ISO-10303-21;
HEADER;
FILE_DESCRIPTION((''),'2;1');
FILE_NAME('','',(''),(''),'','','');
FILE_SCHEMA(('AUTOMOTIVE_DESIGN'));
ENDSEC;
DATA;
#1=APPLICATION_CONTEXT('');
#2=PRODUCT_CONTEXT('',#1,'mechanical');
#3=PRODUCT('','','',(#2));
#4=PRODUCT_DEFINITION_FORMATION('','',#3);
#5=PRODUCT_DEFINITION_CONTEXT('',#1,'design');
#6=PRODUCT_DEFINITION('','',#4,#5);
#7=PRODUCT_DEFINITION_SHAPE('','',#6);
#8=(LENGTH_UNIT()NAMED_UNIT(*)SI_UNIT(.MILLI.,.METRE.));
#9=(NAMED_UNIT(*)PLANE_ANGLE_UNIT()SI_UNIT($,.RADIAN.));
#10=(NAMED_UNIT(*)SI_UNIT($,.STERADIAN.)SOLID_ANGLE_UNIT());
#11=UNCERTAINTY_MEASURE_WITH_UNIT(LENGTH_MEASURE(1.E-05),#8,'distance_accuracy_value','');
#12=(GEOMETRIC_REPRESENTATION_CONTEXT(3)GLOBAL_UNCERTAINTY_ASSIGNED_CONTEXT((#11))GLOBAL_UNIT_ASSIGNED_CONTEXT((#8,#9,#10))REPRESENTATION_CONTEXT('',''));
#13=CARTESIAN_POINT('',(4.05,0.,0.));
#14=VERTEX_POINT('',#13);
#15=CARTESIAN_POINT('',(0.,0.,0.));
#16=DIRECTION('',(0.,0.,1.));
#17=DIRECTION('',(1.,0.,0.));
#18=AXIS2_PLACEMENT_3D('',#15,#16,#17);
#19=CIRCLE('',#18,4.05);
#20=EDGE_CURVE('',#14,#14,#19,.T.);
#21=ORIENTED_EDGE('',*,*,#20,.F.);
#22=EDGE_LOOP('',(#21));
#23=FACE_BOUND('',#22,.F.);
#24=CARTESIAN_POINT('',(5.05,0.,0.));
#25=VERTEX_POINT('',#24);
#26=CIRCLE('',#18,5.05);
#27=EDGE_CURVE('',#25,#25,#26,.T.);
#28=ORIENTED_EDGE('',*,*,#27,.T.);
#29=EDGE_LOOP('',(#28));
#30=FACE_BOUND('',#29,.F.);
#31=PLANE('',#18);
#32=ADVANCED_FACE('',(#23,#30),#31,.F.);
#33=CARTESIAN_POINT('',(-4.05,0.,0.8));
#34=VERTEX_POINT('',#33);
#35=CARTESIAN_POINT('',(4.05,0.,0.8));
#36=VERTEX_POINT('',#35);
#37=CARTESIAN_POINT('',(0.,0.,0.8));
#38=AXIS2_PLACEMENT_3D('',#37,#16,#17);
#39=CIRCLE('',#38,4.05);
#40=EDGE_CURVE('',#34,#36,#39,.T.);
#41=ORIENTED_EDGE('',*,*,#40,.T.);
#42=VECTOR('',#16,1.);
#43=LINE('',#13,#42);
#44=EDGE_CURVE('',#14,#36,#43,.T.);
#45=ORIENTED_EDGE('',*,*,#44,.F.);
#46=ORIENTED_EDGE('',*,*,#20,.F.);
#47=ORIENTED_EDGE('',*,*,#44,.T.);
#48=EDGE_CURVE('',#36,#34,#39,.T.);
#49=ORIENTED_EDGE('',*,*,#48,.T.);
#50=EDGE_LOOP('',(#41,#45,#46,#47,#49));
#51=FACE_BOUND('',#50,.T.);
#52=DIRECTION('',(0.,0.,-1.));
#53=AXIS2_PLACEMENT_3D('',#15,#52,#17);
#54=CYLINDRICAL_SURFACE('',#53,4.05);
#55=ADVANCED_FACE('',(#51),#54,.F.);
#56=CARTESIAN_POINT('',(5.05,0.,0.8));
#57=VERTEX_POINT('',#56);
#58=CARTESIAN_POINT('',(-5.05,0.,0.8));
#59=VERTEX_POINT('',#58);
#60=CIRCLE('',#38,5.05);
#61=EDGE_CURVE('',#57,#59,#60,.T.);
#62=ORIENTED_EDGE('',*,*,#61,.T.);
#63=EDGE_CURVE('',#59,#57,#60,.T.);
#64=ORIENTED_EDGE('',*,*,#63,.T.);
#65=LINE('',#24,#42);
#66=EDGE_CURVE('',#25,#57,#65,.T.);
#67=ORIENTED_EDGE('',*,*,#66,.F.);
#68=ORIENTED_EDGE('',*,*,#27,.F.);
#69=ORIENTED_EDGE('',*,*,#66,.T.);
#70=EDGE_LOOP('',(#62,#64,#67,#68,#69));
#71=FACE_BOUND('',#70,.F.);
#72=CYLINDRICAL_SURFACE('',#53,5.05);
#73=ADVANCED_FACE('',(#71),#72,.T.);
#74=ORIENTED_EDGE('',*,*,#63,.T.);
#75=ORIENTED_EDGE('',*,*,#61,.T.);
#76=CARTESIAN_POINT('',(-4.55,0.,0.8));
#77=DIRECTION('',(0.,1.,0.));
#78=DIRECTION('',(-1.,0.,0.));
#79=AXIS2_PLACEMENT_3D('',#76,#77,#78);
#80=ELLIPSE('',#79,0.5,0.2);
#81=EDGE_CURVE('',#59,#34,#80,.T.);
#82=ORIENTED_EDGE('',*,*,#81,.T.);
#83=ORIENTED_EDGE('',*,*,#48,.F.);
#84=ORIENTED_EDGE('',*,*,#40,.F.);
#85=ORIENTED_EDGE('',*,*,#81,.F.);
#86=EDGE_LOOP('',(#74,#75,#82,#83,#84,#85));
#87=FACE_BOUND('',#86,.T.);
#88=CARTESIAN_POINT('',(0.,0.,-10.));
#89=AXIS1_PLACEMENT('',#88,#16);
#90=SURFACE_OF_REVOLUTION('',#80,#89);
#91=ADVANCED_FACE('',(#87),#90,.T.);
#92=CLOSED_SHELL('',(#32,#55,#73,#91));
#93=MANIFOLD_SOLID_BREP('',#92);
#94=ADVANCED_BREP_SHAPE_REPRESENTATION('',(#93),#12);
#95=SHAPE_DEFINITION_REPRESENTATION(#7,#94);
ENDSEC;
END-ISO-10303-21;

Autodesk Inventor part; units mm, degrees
ref_plane "YZ Plane" through (0, 0, 0) normal (1, 0, 0) x (0, 1, 0)
ref_plane "XZ Plane" through (0, 0, 0) normal (0, 1, 0) x (-1, 0, 0)
ref_plane "XY Plane" through (0, 0, 0) normal (0, 0, 1) x (1, 0, 0)
sketch "Sketch1" plane through (0, 0, 0) normal (0, 0, 1) x (1, 0, 0)
  circle A0 centre (0, 0) radius 4.05
  circle A1 centre (0, 0) radius 5.05
  dimension "d0" = 8.1
  dimension "d1" = 1
extrude "Extrusion1" add sketch "Sketch1" along normal blind 0.8
sketch "Sketch2" plane through (0, 0, 0) normal (0, 1, 0) x (-1, 0, 0)
  line L0 (5.05, 0.8) -> (5.05, 0) projected
  line L1 (5.05, 0) -> (4.05, 0) projected
  line L2 (4.05, 0) -> (4.05, 0.8) projected
  line L3 (4.05, 0.8) -> (5.05, 0.8) projected
  line L4 (-5.05, 0) -> (-5.05, 0.8) projected
  line L5 (-5.05, 0.8) -> (-4.05, 0.8) projected
  line L6 (-4.05, 0.8) -> (-4.05, 0) projected
  line L7 (-4.05, 0) -> (-5.05, 0) projected
  line L8 (4.55, 0.8) -> (4.55, 1) construction
  ellipse E0 centre (4.55, 0.8) end of major axis (5.05, 0.8) minor radius 0.2 (5.05, 0.8) -> (4.05, 0.8) ccw
  line L9 (5.05, 0) -> (5.05, 0.8) projected
  line L10 (5.05, 0.8) -> (4.05, 0.8)
  line L11 (0, -0.2) -> (0, 1.2) projected
  point P0 (0, 0)
  dimension "d4" = 0.2
revolve "Revolution1" add sketch "Sketch2" angle 360 about axis through (0, 0, -10) along (0, 0, 1) contours L3 E0
properties part number "AxleWasher" material "Stainless Steel AISI 440C, Welded"
